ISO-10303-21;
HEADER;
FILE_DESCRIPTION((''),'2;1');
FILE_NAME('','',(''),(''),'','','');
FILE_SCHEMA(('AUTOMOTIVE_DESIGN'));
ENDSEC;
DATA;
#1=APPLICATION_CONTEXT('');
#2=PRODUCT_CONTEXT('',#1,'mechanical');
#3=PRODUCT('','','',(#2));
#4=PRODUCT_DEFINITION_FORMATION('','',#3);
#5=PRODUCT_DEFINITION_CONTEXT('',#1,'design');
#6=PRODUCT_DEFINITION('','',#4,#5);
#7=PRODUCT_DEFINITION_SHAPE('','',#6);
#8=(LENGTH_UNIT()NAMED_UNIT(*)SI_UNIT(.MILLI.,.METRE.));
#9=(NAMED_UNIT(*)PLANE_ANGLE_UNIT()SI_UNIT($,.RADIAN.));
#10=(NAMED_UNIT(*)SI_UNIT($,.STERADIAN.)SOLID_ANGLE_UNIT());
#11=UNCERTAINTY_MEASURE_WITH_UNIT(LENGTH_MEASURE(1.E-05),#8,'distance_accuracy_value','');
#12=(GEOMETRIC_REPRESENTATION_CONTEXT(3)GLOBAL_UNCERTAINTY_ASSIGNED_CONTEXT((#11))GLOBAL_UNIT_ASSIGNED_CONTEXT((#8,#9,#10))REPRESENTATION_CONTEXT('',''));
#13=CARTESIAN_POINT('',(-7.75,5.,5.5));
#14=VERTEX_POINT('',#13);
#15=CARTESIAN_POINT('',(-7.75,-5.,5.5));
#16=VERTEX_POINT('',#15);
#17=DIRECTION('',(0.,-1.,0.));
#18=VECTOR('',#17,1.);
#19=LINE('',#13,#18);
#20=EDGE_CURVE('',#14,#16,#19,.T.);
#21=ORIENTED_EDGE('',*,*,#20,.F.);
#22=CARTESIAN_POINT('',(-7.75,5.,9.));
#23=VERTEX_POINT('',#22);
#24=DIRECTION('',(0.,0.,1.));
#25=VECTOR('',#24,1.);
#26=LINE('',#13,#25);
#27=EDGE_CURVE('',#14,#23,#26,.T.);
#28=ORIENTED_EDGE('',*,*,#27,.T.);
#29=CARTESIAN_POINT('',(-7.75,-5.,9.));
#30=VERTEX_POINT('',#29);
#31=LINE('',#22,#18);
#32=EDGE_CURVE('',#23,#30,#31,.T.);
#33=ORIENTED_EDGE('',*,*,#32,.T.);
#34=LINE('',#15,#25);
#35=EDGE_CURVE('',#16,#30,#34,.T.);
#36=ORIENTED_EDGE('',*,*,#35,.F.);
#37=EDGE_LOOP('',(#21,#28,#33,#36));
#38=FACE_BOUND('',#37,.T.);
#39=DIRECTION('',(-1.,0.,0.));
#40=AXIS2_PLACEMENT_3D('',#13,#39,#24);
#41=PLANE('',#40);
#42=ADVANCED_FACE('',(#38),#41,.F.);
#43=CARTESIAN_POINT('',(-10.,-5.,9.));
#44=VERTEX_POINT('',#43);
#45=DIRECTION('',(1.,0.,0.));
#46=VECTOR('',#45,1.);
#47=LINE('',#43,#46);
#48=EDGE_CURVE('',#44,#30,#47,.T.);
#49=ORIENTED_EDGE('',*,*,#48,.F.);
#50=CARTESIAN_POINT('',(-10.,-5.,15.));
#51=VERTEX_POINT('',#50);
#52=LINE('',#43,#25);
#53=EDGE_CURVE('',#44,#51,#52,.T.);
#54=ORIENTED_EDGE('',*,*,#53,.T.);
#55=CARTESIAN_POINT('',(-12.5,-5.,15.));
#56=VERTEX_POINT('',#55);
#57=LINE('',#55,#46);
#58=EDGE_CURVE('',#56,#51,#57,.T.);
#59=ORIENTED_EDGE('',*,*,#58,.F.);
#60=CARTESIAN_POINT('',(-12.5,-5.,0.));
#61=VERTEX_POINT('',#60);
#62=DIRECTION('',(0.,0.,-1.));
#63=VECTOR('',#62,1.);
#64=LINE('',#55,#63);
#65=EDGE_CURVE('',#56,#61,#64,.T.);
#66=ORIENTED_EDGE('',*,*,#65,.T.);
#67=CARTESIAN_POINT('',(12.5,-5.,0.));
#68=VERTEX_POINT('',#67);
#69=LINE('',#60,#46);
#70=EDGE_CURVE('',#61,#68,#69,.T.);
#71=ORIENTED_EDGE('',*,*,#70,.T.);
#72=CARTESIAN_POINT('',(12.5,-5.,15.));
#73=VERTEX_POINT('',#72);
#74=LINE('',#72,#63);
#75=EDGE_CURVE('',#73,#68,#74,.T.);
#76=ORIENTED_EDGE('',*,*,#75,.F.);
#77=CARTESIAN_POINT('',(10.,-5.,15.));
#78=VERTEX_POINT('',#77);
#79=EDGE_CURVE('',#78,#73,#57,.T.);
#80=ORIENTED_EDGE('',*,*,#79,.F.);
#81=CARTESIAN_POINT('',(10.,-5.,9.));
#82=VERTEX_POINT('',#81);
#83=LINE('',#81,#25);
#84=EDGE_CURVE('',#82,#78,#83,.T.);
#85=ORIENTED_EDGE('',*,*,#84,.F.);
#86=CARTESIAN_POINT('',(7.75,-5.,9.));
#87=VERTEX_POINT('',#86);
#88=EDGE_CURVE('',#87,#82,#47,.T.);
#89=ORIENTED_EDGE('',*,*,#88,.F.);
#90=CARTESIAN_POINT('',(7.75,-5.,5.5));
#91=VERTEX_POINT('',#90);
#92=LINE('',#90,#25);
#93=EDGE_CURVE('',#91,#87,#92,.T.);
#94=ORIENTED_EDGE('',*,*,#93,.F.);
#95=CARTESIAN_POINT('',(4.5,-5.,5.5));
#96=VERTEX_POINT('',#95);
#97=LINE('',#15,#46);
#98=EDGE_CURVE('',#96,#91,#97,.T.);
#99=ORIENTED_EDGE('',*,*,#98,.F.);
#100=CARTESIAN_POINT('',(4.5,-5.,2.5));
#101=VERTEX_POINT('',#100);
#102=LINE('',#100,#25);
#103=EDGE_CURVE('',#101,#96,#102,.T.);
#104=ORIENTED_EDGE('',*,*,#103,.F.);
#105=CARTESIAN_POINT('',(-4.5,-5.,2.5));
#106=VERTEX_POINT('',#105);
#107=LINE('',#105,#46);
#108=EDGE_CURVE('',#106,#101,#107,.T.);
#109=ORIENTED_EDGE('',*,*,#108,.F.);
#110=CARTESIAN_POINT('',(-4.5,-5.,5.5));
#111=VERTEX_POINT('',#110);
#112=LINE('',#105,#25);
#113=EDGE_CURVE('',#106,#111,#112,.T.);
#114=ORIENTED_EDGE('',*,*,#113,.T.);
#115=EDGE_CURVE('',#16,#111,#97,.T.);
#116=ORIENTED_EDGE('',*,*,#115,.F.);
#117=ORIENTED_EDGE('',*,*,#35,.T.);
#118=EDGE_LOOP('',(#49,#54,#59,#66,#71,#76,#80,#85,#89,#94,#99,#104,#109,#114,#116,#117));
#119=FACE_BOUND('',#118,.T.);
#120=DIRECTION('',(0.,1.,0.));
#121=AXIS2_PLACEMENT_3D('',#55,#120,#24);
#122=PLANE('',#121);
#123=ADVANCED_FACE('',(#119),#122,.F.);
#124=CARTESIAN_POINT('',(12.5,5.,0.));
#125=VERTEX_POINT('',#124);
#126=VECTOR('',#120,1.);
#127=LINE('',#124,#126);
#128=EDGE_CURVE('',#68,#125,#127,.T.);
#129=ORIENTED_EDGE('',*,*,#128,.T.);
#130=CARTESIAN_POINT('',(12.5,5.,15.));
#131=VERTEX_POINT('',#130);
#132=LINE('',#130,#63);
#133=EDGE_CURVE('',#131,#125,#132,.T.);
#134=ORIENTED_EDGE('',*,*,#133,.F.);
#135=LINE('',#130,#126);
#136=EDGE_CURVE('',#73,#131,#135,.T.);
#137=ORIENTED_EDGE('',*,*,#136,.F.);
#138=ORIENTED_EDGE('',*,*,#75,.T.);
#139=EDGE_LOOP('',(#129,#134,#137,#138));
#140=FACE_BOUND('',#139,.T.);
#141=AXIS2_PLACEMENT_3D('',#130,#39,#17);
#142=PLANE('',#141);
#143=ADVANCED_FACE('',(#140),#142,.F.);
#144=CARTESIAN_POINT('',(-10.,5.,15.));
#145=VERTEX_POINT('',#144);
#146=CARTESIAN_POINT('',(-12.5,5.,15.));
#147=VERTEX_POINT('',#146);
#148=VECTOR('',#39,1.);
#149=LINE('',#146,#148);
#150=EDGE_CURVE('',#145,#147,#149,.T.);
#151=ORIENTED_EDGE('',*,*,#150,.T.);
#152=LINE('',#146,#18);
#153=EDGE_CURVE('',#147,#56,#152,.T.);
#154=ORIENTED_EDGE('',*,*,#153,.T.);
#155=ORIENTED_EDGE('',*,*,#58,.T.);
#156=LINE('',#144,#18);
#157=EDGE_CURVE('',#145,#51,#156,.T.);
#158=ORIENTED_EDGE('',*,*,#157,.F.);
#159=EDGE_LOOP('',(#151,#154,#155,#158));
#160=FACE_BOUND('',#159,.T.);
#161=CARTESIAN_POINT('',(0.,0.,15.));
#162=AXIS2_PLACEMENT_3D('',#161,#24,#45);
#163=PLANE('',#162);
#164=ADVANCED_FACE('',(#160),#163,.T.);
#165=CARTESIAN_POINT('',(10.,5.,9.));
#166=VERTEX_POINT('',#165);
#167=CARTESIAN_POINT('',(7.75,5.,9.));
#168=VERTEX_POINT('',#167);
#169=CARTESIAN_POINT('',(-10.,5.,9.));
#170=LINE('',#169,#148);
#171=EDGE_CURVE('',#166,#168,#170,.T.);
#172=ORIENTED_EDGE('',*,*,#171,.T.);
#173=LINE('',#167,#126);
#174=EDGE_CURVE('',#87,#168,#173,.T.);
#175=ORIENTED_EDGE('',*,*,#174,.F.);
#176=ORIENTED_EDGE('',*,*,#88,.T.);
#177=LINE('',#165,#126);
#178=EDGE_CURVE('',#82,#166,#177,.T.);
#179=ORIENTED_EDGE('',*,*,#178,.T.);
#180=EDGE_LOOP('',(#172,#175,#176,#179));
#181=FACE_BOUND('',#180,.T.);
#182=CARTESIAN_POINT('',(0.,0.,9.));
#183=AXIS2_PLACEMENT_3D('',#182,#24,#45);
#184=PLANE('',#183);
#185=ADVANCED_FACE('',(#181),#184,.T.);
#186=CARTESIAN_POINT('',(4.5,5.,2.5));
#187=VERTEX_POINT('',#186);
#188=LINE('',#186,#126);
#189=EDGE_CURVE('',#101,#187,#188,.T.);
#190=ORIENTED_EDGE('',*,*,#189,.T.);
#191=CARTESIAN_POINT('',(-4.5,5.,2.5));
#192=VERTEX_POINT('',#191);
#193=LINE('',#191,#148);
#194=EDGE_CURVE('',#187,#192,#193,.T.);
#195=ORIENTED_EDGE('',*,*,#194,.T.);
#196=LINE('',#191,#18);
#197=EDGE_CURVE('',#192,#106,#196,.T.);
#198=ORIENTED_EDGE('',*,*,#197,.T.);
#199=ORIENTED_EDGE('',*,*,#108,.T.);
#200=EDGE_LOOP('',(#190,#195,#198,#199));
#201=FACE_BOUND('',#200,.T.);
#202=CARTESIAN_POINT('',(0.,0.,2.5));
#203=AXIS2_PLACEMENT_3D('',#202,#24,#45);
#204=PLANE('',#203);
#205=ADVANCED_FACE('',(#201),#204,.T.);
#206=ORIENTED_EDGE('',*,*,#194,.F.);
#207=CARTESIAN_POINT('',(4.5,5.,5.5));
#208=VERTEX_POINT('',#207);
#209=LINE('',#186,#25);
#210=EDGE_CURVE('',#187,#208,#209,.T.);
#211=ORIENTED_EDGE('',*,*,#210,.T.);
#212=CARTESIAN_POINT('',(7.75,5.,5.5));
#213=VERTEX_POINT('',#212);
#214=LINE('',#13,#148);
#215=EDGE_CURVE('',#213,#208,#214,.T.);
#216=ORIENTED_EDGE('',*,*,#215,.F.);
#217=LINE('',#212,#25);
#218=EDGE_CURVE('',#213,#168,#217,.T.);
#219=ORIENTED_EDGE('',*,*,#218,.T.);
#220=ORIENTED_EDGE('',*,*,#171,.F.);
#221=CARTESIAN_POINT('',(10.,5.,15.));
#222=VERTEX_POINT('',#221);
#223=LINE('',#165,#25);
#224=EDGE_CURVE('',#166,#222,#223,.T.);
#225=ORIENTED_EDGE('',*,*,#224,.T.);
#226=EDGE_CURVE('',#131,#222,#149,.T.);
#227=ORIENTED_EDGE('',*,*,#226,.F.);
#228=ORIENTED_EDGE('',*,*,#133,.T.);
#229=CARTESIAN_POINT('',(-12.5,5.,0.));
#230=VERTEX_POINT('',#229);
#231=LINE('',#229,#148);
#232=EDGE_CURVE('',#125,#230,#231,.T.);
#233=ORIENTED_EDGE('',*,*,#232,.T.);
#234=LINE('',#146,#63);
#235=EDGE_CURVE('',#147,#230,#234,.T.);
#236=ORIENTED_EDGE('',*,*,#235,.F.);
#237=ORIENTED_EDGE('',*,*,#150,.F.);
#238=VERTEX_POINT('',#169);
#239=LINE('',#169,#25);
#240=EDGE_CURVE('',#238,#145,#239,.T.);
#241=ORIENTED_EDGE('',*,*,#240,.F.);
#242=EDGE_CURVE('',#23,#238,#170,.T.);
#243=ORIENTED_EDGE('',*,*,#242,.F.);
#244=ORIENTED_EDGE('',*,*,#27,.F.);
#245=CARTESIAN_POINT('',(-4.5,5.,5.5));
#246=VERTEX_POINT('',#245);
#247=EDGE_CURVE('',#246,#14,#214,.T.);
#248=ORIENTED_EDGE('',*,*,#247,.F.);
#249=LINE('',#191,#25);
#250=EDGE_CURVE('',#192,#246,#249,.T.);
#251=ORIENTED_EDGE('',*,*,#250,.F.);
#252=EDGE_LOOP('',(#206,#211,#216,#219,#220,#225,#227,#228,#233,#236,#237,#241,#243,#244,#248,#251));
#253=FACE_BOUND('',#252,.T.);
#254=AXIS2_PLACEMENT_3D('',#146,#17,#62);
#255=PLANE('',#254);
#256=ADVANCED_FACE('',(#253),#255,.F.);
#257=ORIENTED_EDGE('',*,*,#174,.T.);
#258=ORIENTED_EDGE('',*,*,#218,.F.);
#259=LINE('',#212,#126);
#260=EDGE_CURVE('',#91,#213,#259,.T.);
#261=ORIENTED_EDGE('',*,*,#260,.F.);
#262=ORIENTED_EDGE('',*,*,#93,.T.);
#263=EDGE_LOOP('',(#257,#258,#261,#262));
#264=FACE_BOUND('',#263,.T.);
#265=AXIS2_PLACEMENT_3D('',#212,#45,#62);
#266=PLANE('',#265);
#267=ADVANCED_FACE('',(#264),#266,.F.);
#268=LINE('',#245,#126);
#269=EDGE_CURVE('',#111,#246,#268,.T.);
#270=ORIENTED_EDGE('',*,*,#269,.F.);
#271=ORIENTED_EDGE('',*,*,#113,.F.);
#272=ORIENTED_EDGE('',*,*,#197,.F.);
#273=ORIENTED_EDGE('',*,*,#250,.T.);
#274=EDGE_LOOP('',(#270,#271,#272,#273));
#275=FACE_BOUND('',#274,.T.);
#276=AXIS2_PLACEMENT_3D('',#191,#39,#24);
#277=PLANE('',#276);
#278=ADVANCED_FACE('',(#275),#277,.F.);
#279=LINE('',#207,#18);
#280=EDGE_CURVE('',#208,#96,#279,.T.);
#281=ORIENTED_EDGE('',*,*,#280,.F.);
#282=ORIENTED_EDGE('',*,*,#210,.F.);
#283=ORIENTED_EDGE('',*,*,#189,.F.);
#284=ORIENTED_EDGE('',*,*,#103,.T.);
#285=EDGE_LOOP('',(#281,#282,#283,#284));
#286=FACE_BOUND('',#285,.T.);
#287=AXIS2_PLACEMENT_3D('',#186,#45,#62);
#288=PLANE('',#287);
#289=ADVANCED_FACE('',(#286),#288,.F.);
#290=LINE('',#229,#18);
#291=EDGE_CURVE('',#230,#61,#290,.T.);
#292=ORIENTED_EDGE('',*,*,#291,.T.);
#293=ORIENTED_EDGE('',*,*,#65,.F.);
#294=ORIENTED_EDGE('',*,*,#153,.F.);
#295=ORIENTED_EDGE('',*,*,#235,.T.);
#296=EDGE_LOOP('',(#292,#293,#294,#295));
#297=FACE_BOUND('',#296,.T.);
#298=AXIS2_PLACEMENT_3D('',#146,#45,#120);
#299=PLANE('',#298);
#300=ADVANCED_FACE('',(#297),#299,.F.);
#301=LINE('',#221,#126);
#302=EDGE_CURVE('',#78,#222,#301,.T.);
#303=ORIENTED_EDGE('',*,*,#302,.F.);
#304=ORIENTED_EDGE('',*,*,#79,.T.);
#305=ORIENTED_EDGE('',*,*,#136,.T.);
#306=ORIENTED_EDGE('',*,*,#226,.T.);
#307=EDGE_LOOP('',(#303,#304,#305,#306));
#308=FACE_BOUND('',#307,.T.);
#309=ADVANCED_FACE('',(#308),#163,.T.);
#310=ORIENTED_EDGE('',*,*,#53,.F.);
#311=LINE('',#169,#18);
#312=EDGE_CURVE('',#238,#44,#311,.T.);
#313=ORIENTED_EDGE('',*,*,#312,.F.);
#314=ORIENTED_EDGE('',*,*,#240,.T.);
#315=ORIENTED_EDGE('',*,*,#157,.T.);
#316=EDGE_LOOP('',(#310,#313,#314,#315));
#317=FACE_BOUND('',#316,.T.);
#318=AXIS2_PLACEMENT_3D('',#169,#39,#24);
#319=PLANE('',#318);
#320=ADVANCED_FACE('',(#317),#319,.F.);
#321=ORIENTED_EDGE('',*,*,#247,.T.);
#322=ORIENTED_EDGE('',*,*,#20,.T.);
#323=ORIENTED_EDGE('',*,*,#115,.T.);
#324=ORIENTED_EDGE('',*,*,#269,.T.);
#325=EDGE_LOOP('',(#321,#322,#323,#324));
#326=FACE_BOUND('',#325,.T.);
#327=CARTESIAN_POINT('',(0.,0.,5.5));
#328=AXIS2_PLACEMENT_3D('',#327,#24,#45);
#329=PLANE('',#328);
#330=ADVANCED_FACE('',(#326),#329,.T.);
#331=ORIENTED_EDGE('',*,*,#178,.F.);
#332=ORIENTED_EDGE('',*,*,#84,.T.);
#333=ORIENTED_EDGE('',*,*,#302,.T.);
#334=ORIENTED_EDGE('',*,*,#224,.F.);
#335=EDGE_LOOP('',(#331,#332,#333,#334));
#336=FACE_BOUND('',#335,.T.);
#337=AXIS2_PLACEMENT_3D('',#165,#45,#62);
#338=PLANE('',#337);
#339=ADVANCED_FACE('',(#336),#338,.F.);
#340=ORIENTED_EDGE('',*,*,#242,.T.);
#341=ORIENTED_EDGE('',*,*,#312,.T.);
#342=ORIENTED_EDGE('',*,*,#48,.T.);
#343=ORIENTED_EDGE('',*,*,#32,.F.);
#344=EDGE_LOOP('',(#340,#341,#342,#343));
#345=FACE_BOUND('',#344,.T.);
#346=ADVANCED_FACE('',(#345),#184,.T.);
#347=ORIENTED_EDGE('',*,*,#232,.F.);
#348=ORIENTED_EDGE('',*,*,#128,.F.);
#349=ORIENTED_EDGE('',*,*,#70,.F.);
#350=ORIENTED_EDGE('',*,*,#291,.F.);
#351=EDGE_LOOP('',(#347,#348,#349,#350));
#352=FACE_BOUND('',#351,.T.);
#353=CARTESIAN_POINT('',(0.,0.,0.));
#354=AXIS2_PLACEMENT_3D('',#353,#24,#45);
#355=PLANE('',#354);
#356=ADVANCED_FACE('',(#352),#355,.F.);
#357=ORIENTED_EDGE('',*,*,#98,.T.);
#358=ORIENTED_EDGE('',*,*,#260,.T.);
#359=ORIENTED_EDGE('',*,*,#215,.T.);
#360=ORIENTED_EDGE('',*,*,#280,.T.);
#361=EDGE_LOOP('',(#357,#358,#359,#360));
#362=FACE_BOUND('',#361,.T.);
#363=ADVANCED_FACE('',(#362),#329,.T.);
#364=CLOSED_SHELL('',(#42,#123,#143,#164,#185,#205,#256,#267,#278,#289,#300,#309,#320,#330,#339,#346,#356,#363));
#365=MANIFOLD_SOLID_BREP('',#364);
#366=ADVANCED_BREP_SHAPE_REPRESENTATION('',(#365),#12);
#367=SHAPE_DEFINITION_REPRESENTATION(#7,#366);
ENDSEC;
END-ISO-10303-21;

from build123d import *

# Parameters (mm, degrees)
SKETCH1_W           = 25
SKETCH1_H           = 10
BOSS_EXTRUDE1_DEPTH = 15
SKETCH2_W           = 20
SKETCH2_H           = 10
CUT_EXTRUDE1_DEPTH  = 6
SKETCH3_W           = 9
SKETCH3_H           = 10
CUT_EXTRUDE2_DEPTH  = 6.5
SKETCH4_W           = 15.5
SKETCH4_H           = 10
CUT_EXTRUDE3_DEPTH  = 3.5


with BuildPart() as part:
    # Sketch1 → Boss-Extrude1 (new body)
    with BuildSketch(Plane.XY):
        Rectangle(SKETCH1_W, SKETCH1_H)
    extrude(amount=BOSS_EXTRUDE1_DEPTH)

    # Sketch2 → Cut-Extrude1 (cut)
    with BuildSketch(Plane.XY.offset(15)):
        Rectangle(SKETCH2_W, SKETCH2_H)
    extrude(amount=-CUT_EXTRUDE1_DEPTH, mode=Mode.SUBTRACT)

    # Sketch3 → Cut-Extrude2 (cut)
    with BuildSketch(Plane.XY.offset(9)):
        Rectangle(SKETCH3_W, SKETCH3_H)
    extrude(amount=-CUT_EXTRUDE2_DEPTH, mode=Mode.SUBTRACT)

    # Sketch4 → Cut-Extrude3 (cut)
    with BuildSketch(Plane.XY.offset(9)):
        Rectangle(SKETCH4_W, SKETCH4_H)
    extrude(amount=-CUT_EXTRUDE3_DEPTH, mode=Mode.SUBTRACT)


solid = part.part
